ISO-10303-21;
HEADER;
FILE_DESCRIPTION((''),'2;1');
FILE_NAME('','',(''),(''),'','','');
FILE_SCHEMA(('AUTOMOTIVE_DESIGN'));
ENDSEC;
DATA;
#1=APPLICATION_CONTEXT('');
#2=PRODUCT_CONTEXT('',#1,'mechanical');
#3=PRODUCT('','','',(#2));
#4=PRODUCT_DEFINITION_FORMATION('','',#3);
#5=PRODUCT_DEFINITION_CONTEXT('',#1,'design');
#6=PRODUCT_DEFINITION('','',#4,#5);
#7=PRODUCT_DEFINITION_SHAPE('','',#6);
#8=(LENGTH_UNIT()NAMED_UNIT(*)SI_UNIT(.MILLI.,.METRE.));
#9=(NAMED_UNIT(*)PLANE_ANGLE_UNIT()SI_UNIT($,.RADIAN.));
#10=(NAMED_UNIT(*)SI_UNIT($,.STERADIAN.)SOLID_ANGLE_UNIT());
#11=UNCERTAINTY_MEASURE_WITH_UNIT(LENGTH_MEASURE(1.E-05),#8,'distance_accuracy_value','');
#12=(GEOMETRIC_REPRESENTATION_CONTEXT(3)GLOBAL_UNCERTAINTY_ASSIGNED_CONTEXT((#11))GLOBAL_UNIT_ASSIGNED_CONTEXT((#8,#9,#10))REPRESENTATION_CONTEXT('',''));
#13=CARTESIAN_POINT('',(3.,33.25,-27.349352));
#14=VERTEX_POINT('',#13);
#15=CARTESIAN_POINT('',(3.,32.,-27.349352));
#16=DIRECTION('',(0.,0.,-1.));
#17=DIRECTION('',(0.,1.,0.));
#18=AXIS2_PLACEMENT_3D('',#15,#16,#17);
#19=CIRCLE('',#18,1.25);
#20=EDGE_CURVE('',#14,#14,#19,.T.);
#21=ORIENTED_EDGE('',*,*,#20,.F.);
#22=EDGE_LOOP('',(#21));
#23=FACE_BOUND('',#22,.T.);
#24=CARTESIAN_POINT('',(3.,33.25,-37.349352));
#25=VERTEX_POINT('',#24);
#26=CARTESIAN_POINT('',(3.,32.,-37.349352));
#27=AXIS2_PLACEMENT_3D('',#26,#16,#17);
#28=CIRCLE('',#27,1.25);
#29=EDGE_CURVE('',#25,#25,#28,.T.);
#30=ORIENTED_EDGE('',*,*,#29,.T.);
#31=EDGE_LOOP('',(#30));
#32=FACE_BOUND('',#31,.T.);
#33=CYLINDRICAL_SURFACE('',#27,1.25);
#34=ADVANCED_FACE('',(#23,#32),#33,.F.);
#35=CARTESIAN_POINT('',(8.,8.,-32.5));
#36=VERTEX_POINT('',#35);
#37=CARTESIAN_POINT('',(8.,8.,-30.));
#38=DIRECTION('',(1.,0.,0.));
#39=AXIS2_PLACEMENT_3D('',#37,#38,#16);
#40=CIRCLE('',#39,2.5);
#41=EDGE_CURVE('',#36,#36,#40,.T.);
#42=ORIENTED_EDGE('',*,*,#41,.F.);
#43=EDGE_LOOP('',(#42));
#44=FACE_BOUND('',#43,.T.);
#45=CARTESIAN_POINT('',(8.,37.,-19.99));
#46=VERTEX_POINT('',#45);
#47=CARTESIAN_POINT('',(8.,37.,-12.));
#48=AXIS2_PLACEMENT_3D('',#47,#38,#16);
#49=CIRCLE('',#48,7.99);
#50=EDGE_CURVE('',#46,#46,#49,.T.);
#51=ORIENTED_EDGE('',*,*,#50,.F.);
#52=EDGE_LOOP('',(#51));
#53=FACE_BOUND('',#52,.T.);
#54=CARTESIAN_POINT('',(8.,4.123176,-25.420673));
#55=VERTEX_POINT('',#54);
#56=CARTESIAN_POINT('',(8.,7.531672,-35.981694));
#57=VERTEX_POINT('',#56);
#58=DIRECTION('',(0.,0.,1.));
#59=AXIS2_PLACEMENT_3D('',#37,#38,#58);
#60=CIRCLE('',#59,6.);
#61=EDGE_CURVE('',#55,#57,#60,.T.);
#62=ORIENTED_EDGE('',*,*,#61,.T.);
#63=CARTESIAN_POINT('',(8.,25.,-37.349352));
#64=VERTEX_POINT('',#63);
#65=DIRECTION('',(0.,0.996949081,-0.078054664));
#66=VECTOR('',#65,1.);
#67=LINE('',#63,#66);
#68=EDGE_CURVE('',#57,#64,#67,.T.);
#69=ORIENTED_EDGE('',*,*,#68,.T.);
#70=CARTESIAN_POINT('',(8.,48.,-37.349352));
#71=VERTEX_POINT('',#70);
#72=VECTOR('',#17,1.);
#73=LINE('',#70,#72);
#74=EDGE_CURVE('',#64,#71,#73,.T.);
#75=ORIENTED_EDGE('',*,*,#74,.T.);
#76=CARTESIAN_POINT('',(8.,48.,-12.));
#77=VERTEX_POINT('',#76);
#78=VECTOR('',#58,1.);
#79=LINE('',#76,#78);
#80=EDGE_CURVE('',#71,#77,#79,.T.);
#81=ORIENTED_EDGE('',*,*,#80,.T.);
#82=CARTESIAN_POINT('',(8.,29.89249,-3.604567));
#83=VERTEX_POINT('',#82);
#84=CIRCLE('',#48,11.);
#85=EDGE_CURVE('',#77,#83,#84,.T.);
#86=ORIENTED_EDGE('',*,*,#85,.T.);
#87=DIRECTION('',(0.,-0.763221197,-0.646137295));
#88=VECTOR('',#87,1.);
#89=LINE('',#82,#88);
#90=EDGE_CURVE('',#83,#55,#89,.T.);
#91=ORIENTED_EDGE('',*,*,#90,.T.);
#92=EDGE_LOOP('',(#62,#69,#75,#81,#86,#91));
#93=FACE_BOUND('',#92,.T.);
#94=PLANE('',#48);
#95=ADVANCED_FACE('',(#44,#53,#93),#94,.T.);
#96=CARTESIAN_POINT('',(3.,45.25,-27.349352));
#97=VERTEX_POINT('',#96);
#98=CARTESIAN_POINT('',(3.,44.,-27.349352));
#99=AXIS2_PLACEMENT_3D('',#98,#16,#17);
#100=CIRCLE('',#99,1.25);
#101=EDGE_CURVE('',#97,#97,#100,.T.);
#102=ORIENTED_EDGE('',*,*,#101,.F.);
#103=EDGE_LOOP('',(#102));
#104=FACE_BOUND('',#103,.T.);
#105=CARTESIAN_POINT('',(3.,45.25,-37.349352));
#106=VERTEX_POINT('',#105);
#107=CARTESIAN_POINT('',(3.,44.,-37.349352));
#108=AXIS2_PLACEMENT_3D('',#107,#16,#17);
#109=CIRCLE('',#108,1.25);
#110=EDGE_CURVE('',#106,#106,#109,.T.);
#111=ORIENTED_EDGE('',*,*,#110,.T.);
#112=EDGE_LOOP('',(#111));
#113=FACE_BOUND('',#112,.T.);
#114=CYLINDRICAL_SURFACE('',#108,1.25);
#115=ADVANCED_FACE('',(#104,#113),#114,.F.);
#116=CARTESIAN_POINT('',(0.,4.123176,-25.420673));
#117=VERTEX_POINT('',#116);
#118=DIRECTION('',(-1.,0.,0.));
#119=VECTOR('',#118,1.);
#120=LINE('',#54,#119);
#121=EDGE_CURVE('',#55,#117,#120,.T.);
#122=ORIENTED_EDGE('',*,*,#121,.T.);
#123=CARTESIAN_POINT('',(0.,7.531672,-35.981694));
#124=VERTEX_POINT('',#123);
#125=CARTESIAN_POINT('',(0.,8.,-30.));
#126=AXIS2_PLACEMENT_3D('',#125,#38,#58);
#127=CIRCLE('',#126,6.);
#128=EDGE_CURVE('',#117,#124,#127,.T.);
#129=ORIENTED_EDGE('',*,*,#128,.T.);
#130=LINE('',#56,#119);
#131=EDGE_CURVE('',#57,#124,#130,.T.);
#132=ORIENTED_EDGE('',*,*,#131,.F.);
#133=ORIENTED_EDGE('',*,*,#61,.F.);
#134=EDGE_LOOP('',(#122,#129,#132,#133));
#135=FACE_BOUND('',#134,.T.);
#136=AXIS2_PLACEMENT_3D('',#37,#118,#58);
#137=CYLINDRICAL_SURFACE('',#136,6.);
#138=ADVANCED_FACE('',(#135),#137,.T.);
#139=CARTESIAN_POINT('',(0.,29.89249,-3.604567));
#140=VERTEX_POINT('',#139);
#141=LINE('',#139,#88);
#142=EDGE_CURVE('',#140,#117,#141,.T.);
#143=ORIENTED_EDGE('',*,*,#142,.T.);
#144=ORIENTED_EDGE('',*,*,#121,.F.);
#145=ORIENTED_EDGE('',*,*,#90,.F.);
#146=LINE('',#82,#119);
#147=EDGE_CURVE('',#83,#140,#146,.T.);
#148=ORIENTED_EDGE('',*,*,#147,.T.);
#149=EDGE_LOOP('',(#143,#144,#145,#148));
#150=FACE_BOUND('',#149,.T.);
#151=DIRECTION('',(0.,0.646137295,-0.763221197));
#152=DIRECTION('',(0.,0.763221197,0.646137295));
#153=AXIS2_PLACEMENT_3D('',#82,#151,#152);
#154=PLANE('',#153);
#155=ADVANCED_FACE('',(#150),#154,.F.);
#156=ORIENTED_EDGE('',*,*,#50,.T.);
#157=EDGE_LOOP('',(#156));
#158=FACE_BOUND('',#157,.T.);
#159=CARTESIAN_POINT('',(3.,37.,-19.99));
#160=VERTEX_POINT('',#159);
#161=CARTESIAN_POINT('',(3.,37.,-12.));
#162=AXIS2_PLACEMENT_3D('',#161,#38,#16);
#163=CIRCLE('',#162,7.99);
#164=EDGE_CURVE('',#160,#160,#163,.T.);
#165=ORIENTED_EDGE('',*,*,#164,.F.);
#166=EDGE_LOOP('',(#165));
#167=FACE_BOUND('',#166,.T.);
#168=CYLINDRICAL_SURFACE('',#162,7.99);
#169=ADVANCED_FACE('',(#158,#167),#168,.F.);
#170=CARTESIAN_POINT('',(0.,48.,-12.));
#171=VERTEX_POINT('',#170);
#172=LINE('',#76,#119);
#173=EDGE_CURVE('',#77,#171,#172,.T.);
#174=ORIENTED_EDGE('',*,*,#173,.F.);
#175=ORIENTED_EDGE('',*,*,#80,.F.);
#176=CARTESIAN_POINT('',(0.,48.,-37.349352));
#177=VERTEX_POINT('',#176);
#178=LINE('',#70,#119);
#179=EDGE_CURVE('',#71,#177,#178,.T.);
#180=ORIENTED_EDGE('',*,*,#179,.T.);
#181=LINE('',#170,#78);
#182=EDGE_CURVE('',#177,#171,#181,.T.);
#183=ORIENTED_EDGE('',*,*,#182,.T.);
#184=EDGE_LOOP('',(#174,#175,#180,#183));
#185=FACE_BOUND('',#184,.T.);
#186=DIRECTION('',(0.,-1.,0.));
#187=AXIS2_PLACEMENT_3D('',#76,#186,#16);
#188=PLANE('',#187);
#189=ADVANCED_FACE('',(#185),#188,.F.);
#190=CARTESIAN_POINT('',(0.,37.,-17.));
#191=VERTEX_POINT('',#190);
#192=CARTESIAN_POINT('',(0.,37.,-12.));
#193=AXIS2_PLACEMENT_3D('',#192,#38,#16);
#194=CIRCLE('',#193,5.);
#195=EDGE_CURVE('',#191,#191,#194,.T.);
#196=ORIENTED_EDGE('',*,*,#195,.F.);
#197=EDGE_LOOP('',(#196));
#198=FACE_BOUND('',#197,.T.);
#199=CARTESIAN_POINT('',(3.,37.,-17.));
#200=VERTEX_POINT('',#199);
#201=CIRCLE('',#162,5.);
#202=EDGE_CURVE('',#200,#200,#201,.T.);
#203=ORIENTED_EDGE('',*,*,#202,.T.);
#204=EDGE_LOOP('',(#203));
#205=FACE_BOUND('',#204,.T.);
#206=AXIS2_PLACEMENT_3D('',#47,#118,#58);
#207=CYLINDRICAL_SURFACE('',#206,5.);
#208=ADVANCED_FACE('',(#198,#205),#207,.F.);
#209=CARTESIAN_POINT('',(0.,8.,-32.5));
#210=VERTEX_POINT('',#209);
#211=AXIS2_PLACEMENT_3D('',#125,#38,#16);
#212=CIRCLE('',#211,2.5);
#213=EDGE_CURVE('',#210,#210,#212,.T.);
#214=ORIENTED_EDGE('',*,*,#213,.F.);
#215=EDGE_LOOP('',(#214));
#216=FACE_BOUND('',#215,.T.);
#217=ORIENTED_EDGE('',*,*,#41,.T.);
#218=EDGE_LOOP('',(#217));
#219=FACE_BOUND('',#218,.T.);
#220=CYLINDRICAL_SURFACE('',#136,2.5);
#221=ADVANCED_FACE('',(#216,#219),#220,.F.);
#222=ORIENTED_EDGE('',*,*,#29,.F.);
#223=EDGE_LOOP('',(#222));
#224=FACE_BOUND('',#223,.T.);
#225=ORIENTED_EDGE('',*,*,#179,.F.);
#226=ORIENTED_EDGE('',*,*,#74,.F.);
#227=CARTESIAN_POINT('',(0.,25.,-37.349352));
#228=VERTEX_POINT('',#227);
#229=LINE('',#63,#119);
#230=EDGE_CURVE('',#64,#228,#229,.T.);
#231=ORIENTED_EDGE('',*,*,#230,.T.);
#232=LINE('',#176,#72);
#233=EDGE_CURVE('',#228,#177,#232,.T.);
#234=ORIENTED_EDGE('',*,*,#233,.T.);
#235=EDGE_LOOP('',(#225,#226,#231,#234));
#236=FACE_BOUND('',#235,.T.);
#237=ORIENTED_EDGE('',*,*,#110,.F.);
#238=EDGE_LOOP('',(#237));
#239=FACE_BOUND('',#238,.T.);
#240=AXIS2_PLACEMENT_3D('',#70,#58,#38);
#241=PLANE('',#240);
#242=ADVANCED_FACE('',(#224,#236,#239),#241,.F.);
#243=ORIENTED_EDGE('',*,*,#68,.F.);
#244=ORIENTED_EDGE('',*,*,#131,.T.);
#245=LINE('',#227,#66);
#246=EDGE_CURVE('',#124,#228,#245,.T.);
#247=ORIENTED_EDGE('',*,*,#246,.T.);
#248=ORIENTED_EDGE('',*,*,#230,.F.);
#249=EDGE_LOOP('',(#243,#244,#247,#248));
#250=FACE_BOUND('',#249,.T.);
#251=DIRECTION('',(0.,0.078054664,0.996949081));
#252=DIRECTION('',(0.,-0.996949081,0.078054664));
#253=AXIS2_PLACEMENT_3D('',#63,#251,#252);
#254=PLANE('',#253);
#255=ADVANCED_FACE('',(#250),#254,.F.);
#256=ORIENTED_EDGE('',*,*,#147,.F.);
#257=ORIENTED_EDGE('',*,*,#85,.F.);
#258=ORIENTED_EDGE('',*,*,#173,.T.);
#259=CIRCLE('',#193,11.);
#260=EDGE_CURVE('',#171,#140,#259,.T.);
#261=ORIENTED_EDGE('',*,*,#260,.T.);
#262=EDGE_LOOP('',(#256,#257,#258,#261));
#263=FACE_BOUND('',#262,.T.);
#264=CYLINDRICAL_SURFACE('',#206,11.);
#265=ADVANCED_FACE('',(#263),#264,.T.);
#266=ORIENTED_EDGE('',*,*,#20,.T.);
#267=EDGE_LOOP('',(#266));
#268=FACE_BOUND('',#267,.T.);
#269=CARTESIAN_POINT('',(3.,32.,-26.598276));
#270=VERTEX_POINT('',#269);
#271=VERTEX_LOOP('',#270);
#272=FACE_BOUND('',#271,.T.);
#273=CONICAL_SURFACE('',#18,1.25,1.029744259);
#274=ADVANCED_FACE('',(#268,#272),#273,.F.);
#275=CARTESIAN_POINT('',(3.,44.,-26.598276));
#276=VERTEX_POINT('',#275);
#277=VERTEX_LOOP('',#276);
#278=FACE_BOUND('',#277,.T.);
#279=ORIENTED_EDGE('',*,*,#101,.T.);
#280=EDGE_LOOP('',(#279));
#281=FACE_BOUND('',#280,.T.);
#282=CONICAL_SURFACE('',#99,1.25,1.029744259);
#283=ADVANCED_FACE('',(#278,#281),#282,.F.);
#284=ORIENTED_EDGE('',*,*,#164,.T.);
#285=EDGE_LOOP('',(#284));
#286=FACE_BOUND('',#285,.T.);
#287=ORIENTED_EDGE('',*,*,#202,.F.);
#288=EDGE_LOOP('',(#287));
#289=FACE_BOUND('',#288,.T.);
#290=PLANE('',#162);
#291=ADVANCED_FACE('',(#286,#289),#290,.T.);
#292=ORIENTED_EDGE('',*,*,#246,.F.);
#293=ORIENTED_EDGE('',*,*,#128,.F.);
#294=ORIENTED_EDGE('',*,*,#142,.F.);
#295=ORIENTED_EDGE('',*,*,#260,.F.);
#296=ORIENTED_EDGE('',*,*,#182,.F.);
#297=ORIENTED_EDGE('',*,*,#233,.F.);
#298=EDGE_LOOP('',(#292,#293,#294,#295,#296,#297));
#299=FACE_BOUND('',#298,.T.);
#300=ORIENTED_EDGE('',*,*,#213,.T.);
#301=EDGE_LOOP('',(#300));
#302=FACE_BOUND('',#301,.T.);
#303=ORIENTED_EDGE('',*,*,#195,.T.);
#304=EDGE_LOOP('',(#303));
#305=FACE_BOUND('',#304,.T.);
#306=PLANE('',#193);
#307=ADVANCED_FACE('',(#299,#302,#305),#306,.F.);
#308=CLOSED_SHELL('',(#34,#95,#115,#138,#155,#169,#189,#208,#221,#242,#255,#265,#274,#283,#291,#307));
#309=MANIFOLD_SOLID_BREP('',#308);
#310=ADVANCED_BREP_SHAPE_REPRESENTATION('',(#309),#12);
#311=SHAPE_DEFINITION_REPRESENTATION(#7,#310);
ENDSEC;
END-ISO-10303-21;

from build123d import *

# Parameters (mm, degrees)
SKETCH27_R                  = 5
SKETCH27_R_2                = 2.5
BOSS_EXTRUDE1_DEPTH         = 8
TAP_DRILL_FOR_M3_TAP1_D     = 2.5
TAP_DRILL_FOR_M3_TAP1_DEPTH = 10
TAP_DRILL_FOR_M3_TAP1_TIP   = 0.751075774
SKETCH33_R                  = 7.99
CUT_EXTRUDE2_DEPTH          = 5


with BuildPart() as part:
    # Sketch27 → Boss-Extrude1 (new body)
    with BuildSketch(Plane(origin=(0, 0, 0), x_dir=(0, 0, -1), z_dir=(1, 0, 0))):
        with BuildLine():
            Line((12, 48), (37.349351573, 48))
            Line((37.349351573, 48), (37.349351573, 25))
            Line((37.349351573, 25), (35.981694484, 7.531672014))
            ThreePointArc((35.981694484, 7.531672014), (31.842856312, 2.290019211), (25.420672816, 4.12317623))
            Line((25.420672816, 4.12317623), (3.604566829, 29.892489756))
            ThreePointArc((3.604566829, 29.892489756), (2.020455604, 41.626952956), (12, 48))
        make_face()
        with Locations((12, 37)):
            Circle(SKETCH27_R, mode=Mode.SUBTRACT)
        with Locations((30, 8)):
            Circle(SKETCH27_R_2, mode=Mode.SUBTRACT)
    extrude(amount=BOSS_EXTRUDE1_DEPTH)

    # Tap Drill for M3 Tap1
    with Locations(Plane(origin=(0, 0, -37.349351573), x_dir=(-1, 0, 0), z_dir=(0, 0, -1))):
        with Locations((-3, 32), (-3, 44)):
            Hole(TAP_DRILL_FOR_M3_TAP1_D / 2, depth=TAP_DRILL_FOR_M3_TAP1_DEPTH)
            with Locations((0, 0, -(TAP_DRILL_FOR_M3_TAP1_DEPTH + TAP_DRILL_FOR_M3_TAP1_TIP / 2))):  # 118° drill point
                Cone(0, TAP_DRILL_FOR_M3_TAP1_D / 2, TAP_DRILL_FOR_M3_TAP1_TIP, mode=Mode.SUBTRACT)

    # Sketch33 → Cut-Extrude2 (cut)
    with BuildSketch(Plane(origin=(8, 0, 0), x_dir=(0, 0, -1), z_dir=(1, 0, 0))):
        with Locations((12, 37)):
            Circle(SKETCH33_R)
    extrude(amount=-CUT_EXTRUDE2_DEPTH, mode=Mode.SUBTRACT)


solid = part.part
